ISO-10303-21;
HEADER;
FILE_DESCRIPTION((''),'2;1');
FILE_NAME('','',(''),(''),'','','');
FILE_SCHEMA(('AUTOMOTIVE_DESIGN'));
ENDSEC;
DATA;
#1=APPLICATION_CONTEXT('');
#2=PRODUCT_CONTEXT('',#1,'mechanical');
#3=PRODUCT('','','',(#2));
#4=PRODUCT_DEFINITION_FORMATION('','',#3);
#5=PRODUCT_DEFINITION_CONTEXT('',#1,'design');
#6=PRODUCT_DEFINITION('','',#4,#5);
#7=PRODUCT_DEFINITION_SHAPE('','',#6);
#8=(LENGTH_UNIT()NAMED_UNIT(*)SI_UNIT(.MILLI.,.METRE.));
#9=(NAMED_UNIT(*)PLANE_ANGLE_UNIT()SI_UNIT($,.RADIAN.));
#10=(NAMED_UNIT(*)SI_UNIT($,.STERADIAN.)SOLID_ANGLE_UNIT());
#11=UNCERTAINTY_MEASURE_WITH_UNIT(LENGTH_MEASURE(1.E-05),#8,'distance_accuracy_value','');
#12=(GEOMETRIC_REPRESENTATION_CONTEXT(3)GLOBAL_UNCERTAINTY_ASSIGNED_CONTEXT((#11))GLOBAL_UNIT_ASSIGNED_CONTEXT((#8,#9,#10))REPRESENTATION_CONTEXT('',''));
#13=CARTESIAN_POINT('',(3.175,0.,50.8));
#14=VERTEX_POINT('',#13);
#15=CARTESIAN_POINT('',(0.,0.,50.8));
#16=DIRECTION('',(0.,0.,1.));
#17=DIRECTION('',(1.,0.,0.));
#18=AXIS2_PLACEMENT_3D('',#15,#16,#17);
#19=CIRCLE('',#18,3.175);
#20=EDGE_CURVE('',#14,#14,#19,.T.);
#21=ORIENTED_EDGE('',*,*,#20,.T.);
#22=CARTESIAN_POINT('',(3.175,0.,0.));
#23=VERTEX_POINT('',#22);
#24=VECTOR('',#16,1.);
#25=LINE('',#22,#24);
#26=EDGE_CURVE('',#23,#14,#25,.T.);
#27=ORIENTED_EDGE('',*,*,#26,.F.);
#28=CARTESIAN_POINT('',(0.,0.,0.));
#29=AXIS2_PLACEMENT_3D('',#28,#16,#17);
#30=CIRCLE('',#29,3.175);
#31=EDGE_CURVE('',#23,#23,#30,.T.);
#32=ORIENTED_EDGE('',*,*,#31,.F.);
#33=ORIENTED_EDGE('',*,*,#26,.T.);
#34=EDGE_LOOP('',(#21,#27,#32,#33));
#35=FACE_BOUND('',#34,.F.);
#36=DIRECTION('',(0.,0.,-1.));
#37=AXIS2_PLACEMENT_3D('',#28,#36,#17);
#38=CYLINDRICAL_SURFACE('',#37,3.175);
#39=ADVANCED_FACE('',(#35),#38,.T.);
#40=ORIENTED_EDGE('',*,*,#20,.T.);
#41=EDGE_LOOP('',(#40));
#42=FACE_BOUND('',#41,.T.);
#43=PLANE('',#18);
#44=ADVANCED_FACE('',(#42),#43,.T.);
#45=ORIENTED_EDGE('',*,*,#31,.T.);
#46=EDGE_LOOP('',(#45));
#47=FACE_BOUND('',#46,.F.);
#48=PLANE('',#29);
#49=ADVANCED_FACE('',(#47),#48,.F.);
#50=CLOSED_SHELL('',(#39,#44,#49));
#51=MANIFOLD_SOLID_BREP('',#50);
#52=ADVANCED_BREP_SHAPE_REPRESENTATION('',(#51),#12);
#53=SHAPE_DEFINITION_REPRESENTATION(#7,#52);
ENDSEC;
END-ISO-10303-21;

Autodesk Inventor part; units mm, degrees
ref_plane "YZ Plane" through (0, 0, 0) normal (1, 0, 0) x (0, 1, 0)
ref_plane "XZ Plane" through (0, 0, 0) normal (0, 1, 0) x (-1, 0, 0)
ref_plane "XY Plane" through (0, 0, 0) normal (0, 0, 1) x (1, 0, 0)
sketch "Sketch1" plane through (0, 0, 0) normal (0, 0, 1) x (1, 0, 0)
  circle A0 centre (0, 0) radius 3.175
  dimension "d0" = 6.35
extrude "Extrusion1" add sketch "Sketch1" along normal blind 50.8
properties part number "pulley rod"
